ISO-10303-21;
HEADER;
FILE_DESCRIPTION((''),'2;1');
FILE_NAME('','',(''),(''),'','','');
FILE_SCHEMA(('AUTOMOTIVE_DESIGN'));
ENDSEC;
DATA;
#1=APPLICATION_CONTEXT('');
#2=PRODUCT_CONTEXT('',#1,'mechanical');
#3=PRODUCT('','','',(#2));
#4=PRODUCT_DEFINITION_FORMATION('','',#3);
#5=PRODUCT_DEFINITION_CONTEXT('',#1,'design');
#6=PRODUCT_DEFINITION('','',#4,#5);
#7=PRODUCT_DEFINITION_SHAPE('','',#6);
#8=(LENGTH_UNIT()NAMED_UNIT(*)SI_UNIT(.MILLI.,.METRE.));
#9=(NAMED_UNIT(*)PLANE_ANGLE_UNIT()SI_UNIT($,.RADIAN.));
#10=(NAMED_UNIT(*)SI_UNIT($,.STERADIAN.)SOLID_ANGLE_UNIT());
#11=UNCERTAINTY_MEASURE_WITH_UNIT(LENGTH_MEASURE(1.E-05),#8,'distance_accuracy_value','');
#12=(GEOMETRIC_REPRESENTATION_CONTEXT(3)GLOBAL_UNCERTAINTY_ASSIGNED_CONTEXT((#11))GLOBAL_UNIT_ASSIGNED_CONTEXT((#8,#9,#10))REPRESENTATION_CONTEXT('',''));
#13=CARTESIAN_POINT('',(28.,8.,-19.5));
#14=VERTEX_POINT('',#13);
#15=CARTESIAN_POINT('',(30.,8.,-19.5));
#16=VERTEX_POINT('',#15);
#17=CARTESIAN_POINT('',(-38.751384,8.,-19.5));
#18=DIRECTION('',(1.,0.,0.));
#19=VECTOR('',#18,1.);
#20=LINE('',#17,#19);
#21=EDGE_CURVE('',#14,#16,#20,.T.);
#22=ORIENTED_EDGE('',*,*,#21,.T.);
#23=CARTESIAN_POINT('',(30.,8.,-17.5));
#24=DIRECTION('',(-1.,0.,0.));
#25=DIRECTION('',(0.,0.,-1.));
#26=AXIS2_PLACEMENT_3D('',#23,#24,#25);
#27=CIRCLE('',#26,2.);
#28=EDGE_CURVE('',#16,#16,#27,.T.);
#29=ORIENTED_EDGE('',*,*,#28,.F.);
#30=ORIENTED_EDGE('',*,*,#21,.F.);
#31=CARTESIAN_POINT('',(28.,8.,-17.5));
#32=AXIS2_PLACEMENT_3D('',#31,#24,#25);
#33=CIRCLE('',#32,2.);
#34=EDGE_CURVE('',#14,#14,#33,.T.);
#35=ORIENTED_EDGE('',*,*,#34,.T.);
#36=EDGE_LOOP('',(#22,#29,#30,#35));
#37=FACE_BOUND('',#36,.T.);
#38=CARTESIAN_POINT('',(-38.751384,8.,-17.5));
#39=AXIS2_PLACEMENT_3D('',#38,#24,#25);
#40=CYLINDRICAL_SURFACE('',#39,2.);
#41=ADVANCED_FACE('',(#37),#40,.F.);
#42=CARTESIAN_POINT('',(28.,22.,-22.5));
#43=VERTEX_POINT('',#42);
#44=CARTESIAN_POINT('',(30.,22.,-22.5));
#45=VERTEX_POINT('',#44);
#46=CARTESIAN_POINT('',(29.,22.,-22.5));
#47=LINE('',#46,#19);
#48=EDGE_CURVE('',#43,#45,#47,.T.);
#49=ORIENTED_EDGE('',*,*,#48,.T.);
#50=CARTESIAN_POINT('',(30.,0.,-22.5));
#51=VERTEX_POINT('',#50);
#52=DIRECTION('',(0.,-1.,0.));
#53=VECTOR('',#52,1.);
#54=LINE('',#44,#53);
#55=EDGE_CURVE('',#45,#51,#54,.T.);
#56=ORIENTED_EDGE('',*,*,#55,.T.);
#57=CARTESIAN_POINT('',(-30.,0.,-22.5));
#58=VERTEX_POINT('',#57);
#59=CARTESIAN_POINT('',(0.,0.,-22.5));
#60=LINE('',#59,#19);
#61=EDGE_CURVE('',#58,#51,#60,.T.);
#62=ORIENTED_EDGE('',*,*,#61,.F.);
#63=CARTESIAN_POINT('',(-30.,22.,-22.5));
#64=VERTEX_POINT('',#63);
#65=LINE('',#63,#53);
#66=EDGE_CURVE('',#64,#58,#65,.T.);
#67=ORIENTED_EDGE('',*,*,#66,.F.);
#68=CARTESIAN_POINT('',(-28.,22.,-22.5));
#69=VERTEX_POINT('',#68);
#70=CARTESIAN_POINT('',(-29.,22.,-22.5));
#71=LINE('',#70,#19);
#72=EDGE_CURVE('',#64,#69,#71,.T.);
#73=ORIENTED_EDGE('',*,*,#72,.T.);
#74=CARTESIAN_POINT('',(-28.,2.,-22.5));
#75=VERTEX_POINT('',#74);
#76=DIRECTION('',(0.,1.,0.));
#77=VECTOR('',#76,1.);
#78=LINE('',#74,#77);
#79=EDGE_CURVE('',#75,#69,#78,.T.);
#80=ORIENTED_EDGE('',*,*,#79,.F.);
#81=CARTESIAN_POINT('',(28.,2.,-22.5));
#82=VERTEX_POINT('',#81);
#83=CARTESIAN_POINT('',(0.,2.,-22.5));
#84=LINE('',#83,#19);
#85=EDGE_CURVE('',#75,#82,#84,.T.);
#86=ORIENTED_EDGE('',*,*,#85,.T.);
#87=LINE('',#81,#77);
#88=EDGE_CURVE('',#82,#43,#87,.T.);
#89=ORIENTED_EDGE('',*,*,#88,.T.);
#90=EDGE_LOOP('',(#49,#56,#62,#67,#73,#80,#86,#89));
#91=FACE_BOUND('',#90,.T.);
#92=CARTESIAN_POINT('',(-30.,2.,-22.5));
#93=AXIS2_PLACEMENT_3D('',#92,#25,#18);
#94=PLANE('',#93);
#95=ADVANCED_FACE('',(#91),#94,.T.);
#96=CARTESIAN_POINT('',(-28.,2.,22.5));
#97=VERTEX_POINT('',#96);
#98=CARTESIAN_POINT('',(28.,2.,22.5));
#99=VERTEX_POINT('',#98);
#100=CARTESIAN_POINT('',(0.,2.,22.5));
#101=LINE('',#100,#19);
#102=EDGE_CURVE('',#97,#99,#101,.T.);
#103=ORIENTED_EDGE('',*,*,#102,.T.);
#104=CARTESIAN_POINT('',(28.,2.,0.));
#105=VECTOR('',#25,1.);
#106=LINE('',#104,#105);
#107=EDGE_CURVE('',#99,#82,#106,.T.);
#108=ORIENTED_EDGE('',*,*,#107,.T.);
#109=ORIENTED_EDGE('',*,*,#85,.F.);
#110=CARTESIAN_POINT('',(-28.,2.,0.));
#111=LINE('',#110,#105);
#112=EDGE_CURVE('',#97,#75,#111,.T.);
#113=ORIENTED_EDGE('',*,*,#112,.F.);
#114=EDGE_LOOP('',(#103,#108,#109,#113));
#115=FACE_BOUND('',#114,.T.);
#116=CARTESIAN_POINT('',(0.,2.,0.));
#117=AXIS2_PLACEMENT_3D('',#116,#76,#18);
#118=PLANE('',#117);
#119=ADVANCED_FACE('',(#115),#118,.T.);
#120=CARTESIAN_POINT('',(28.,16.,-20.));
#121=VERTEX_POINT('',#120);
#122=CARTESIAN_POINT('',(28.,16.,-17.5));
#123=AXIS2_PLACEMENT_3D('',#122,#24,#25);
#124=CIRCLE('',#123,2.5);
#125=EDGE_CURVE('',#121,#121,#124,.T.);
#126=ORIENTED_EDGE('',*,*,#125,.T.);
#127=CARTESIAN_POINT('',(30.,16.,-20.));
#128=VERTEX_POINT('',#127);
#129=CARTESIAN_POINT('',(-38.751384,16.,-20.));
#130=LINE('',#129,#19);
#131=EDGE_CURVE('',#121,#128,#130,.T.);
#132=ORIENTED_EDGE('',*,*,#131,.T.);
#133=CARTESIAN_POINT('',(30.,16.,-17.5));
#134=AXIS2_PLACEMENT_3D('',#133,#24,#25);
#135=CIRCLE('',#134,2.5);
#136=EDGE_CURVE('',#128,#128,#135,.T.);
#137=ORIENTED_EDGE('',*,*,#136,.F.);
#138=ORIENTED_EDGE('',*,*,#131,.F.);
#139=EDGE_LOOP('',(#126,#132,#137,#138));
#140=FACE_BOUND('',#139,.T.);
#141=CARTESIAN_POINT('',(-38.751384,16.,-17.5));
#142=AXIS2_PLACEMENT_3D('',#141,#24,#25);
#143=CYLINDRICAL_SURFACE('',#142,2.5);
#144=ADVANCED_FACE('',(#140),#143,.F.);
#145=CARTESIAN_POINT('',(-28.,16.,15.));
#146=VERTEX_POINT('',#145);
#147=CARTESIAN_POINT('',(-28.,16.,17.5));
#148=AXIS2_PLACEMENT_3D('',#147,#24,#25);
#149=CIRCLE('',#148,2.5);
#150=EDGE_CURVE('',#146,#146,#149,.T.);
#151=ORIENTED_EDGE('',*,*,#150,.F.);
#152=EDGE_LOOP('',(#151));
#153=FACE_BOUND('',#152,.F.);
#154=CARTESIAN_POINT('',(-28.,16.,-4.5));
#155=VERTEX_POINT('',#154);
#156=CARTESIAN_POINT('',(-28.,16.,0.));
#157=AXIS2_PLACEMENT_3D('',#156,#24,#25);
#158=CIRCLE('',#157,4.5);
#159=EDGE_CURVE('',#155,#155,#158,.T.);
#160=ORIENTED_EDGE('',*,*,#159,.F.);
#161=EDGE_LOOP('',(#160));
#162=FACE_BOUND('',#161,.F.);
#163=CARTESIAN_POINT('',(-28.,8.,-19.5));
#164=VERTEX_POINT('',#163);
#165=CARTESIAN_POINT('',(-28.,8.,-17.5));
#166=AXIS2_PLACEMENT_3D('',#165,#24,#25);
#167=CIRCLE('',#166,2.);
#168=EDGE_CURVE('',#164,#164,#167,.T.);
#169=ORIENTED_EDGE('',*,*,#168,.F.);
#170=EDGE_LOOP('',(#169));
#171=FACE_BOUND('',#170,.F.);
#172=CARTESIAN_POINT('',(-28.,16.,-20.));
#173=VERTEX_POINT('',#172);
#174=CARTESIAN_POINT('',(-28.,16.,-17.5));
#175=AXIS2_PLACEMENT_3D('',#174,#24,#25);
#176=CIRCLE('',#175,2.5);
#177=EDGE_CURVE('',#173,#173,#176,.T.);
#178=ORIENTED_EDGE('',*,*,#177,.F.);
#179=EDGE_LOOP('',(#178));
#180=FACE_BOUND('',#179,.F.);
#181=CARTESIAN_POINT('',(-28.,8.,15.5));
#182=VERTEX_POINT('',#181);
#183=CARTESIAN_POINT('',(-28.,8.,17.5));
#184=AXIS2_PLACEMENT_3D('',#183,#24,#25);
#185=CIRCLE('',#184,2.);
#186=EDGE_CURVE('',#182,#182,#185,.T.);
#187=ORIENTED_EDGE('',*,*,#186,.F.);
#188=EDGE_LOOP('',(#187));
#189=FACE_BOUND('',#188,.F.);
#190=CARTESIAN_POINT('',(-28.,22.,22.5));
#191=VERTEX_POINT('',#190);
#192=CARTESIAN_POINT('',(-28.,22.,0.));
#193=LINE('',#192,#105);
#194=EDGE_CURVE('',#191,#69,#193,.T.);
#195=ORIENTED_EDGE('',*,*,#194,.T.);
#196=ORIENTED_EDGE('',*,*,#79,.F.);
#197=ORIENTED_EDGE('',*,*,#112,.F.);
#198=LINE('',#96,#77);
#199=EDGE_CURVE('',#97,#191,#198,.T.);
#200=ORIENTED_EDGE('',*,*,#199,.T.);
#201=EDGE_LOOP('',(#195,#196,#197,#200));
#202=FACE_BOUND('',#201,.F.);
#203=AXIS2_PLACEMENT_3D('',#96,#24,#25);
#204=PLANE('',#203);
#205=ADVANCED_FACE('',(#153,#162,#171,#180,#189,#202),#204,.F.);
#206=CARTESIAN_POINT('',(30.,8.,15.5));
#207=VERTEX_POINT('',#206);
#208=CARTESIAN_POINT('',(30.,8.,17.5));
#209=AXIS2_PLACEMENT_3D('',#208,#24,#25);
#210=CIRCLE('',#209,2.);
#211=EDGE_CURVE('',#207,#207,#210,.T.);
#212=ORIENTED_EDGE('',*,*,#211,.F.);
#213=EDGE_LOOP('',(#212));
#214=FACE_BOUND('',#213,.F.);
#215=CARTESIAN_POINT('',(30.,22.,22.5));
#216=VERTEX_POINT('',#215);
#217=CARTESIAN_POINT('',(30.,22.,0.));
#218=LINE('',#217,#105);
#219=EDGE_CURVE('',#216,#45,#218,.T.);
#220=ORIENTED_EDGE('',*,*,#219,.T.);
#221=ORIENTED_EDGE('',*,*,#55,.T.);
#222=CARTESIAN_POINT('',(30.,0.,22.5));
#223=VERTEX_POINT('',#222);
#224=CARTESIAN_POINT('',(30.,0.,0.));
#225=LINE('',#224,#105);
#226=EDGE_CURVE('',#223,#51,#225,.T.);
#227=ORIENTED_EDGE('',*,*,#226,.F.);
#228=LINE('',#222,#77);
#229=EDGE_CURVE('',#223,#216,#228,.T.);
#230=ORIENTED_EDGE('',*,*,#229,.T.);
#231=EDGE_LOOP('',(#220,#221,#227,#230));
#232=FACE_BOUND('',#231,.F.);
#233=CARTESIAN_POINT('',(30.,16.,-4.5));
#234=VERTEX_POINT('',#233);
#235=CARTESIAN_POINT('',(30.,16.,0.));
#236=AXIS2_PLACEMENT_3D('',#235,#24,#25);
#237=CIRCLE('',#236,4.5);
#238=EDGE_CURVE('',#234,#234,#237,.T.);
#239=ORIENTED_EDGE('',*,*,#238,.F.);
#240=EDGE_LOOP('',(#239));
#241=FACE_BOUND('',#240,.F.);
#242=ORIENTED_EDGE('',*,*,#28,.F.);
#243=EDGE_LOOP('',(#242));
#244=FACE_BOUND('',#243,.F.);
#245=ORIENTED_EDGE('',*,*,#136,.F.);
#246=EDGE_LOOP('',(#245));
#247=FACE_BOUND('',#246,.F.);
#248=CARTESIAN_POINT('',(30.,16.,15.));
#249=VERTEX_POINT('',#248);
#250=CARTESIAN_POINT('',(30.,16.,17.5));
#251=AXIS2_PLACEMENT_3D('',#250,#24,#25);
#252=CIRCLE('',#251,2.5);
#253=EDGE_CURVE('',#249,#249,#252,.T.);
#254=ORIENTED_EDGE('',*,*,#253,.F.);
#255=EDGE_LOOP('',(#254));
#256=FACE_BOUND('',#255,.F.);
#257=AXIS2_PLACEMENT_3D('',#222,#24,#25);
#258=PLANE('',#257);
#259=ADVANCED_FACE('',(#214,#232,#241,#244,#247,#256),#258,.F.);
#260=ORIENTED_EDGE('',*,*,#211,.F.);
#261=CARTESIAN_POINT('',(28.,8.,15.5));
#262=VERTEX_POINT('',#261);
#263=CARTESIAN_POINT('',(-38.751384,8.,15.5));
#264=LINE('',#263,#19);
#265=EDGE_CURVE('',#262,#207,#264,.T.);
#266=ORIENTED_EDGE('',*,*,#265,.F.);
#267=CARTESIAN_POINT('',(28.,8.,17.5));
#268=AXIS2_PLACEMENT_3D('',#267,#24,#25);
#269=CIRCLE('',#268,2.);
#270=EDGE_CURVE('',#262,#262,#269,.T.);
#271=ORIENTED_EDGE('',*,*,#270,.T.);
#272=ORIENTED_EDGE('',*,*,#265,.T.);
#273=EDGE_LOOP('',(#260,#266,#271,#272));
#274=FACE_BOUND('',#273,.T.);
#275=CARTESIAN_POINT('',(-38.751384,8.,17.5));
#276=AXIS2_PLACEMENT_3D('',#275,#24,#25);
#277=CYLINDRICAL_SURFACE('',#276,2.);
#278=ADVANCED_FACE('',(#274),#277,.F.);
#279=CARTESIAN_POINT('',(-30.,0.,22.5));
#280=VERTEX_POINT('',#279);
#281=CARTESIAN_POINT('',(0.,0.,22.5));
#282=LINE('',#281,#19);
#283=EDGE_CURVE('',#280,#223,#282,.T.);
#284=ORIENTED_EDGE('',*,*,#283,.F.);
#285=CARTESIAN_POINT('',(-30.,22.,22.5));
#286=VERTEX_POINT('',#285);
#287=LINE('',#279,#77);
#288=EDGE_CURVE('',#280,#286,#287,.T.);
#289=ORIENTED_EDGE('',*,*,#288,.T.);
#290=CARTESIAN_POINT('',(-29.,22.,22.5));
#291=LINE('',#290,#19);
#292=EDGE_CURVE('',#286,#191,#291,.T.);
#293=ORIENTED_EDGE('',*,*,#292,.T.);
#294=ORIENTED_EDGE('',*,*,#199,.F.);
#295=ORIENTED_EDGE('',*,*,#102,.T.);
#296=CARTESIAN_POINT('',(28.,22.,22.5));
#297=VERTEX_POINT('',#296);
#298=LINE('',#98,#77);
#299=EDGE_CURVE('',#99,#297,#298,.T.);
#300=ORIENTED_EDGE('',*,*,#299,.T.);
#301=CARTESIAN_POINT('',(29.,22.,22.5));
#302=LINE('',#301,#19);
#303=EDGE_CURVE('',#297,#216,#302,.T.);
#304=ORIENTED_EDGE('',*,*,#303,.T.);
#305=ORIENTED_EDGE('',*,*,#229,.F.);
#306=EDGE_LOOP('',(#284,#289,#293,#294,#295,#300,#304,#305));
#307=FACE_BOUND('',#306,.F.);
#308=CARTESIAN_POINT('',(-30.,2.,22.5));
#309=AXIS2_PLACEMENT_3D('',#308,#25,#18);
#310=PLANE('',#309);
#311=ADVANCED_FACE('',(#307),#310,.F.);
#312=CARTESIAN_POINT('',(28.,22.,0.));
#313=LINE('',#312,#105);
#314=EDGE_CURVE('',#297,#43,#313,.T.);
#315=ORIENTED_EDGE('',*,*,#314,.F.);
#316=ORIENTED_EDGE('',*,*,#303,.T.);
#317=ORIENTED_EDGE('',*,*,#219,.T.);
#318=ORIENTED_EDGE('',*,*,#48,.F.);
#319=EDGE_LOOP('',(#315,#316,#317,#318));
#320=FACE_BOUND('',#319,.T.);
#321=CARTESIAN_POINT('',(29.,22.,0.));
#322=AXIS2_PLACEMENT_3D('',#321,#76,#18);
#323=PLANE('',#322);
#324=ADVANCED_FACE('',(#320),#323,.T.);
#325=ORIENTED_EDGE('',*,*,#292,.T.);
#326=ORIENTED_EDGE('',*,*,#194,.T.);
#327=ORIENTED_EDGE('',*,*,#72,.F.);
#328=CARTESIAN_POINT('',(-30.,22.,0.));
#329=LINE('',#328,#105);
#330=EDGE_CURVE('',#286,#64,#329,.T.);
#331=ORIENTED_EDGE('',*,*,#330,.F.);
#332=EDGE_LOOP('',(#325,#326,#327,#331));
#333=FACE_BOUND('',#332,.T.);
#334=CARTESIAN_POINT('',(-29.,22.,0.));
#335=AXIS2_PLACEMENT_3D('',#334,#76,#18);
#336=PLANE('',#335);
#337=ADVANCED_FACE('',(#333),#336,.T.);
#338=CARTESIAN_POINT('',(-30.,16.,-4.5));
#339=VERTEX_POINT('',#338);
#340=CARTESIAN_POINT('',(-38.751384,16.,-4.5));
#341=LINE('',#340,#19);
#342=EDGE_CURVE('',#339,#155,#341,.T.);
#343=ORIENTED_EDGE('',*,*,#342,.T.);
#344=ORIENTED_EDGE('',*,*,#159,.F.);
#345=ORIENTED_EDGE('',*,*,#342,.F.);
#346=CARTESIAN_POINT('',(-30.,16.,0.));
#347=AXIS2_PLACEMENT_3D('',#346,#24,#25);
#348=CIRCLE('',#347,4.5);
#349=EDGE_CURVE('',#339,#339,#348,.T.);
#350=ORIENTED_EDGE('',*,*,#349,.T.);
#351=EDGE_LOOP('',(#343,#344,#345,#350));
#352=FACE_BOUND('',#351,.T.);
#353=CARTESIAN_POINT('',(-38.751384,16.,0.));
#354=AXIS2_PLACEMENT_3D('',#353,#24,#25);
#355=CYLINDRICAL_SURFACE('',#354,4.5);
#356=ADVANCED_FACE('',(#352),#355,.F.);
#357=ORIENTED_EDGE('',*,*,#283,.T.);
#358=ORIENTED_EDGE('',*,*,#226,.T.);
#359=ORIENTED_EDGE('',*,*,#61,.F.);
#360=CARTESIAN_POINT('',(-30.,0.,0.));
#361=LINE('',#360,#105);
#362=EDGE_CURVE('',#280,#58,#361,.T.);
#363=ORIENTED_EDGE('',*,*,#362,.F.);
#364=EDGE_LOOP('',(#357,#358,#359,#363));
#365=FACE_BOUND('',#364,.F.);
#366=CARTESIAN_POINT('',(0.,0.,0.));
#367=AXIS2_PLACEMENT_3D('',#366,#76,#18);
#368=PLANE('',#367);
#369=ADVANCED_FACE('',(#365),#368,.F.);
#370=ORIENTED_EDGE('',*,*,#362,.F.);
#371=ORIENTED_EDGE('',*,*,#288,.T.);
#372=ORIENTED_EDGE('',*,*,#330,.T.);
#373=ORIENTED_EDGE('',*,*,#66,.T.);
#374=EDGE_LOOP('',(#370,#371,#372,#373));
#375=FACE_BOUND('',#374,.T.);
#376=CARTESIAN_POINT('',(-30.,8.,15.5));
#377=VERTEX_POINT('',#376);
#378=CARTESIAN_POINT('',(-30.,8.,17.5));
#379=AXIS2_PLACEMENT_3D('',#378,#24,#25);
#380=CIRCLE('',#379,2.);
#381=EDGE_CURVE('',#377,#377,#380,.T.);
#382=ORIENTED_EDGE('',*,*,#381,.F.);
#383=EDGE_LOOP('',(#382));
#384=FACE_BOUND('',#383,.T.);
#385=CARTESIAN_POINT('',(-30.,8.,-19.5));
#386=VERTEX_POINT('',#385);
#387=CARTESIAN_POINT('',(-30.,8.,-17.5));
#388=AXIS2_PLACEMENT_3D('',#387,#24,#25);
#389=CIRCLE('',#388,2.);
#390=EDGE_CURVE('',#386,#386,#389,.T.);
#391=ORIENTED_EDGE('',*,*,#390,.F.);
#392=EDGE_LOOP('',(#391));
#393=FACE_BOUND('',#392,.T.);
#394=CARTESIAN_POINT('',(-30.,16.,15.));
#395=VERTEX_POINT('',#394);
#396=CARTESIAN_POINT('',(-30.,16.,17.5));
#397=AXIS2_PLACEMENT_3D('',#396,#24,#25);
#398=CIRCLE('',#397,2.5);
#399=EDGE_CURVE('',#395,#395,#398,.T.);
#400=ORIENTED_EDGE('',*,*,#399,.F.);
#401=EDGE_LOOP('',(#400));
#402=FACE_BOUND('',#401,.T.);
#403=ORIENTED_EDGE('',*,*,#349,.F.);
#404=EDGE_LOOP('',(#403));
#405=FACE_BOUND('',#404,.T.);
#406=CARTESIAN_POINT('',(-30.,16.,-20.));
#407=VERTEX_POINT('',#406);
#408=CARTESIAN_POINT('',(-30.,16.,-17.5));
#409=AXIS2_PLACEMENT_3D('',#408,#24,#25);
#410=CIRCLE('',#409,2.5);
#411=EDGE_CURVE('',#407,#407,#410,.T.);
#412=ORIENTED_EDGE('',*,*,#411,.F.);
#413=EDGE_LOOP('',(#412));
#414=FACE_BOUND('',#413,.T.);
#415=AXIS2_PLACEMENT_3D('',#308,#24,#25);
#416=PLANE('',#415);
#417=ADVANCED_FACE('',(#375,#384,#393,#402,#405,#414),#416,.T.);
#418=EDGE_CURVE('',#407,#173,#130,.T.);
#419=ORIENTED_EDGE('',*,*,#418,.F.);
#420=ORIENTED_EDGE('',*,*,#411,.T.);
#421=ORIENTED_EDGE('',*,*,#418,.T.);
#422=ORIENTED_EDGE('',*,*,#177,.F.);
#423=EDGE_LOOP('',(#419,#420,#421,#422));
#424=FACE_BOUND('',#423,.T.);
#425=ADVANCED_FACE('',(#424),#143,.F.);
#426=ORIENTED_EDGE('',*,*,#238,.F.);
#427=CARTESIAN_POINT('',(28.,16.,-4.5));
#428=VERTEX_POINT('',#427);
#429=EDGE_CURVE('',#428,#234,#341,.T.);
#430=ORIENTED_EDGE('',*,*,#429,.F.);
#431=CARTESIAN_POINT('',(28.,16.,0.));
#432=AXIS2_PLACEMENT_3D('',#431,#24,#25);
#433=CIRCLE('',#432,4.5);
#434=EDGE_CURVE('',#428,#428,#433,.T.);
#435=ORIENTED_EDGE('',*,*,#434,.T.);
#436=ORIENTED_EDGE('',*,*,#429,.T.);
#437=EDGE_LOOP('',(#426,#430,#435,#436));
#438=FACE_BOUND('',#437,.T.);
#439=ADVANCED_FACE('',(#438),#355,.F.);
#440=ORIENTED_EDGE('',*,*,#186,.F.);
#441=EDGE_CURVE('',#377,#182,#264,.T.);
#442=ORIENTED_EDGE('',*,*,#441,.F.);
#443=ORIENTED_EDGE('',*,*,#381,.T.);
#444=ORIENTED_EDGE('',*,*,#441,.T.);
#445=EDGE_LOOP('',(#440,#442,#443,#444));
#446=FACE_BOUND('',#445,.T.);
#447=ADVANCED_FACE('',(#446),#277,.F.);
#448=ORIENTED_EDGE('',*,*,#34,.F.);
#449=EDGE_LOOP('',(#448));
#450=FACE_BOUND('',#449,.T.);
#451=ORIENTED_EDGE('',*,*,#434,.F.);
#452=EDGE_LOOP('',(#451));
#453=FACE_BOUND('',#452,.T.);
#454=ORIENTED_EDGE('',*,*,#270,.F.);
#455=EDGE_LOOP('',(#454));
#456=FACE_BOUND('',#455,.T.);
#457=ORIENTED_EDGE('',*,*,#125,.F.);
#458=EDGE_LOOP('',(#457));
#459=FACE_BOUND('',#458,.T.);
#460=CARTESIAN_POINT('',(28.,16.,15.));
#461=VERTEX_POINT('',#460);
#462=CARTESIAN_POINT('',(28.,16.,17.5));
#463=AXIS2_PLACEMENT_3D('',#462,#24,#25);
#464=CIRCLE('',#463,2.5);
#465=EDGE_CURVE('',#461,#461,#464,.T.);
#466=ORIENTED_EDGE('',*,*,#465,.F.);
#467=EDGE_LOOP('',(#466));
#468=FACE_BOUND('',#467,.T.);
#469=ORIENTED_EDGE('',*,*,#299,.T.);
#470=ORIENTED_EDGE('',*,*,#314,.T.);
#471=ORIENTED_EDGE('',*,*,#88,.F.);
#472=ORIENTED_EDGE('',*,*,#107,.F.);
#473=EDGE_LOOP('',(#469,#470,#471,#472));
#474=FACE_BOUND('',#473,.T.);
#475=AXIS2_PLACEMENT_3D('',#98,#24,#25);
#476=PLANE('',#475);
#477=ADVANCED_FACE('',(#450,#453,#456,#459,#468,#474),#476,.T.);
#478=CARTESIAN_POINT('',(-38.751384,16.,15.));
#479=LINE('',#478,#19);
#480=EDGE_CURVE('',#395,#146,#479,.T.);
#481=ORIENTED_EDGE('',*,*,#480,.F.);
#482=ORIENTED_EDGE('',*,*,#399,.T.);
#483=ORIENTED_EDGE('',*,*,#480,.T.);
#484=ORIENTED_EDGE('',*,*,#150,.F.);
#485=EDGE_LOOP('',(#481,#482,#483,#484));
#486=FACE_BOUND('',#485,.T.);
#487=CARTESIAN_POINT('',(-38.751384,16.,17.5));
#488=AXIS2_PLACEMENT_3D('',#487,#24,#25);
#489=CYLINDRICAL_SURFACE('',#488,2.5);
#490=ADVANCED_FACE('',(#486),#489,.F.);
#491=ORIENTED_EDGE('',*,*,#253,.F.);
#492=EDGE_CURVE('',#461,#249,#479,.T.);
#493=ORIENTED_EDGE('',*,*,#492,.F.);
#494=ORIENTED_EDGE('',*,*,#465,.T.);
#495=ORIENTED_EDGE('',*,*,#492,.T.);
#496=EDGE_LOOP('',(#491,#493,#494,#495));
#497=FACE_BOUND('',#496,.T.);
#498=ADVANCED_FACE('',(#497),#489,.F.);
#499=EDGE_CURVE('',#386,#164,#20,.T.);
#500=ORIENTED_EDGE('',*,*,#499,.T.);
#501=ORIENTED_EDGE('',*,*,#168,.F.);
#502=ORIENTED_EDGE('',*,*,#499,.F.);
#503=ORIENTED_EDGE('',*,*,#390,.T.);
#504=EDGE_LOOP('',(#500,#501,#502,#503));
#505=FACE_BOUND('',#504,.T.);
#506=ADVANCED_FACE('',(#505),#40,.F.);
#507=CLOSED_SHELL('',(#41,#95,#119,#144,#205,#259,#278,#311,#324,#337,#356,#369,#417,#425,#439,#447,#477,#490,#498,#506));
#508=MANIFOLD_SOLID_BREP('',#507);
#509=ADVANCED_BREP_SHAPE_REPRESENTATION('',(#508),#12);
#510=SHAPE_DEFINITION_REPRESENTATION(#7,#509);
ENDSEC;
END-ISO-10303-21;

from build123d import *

# Parameters (mm, degrees)
SKETCH1_W               = 60
SKETCH1_H               = 45
BOSS_EXTRUDE1_DEPTH     = 2
SKETCH2_W               = 2
SKETCH2_H               = 45
BOSS_EXTRUDE2_DEPTH     = 20
CUT_EXTRUDE1_DEPTH      = 68.75138375
CUT_EXTRUDE1_DEPTH_BACK = 68.75138375
SKETCH3_R               = 2
SKETCH3_R_2             = 4.5
SKETCH3_R_3             = 2.5


with BuildPart() as part:
    # Sketch1 → Boss-Extrude1 (new body)
    with BuildSketch(Plane(origin=(0, 0, 0), x_dir=(1, 0, 0), z_dir=(0, 1, 0))):
        Rectangle(SKETCH1_W, SKETCH1_H)
    extrude(amount=BOSS_EXTRUDE1_DEPTH)

    # Sketch2 → Boss-Extrude2 (add)
    with BuildSketch(Plane(origin=(0, 2, 0), x_dir=(1, 0, 0), z_dir=(0, 1, 0))):
        with Locations((-29, 0)):
            Rectangle(SKETCH2_W, SKETCH2_H)
        with Locations((29, 0)):
            Rectangle(SKETCH2_W, SKETCH2_H)
    extrude(amount=BOSS_EXTRUDE2_DEPTH)

    # Sketch3 → Cut-Extrude1 (cut, two sides: drawn at the far end of the back side and taken through both)
    with BuildSketch(Plane(origin=(30, 0, 0), x_dir=(0, 0, -1), z_dir=(1, 0, 0)).offset(-CUT_EXTRUDE1_DEPTH_BACK)):
        with Locations((-17.5, 8)):
            Circle(SKETCH3_R)
        with Locations((17.5, 8)):
            Circle(SKETCH3_R)
        with Locations((0, 16)):
            Circle(SKETCH3_R_2)
        with Locations((17.5, 16)):
            Circle(SKETCH3_R_3)
        with Locations((-17.5, 16)):
            Circle(SKETCH3_R_3)
    extrude(amount=CUT_EXTRUDE1_DEPTH + CUT_EXTRUDE1_DEPTH_BACK, mode=Mode.SUBTRACT)


solid = part.part
